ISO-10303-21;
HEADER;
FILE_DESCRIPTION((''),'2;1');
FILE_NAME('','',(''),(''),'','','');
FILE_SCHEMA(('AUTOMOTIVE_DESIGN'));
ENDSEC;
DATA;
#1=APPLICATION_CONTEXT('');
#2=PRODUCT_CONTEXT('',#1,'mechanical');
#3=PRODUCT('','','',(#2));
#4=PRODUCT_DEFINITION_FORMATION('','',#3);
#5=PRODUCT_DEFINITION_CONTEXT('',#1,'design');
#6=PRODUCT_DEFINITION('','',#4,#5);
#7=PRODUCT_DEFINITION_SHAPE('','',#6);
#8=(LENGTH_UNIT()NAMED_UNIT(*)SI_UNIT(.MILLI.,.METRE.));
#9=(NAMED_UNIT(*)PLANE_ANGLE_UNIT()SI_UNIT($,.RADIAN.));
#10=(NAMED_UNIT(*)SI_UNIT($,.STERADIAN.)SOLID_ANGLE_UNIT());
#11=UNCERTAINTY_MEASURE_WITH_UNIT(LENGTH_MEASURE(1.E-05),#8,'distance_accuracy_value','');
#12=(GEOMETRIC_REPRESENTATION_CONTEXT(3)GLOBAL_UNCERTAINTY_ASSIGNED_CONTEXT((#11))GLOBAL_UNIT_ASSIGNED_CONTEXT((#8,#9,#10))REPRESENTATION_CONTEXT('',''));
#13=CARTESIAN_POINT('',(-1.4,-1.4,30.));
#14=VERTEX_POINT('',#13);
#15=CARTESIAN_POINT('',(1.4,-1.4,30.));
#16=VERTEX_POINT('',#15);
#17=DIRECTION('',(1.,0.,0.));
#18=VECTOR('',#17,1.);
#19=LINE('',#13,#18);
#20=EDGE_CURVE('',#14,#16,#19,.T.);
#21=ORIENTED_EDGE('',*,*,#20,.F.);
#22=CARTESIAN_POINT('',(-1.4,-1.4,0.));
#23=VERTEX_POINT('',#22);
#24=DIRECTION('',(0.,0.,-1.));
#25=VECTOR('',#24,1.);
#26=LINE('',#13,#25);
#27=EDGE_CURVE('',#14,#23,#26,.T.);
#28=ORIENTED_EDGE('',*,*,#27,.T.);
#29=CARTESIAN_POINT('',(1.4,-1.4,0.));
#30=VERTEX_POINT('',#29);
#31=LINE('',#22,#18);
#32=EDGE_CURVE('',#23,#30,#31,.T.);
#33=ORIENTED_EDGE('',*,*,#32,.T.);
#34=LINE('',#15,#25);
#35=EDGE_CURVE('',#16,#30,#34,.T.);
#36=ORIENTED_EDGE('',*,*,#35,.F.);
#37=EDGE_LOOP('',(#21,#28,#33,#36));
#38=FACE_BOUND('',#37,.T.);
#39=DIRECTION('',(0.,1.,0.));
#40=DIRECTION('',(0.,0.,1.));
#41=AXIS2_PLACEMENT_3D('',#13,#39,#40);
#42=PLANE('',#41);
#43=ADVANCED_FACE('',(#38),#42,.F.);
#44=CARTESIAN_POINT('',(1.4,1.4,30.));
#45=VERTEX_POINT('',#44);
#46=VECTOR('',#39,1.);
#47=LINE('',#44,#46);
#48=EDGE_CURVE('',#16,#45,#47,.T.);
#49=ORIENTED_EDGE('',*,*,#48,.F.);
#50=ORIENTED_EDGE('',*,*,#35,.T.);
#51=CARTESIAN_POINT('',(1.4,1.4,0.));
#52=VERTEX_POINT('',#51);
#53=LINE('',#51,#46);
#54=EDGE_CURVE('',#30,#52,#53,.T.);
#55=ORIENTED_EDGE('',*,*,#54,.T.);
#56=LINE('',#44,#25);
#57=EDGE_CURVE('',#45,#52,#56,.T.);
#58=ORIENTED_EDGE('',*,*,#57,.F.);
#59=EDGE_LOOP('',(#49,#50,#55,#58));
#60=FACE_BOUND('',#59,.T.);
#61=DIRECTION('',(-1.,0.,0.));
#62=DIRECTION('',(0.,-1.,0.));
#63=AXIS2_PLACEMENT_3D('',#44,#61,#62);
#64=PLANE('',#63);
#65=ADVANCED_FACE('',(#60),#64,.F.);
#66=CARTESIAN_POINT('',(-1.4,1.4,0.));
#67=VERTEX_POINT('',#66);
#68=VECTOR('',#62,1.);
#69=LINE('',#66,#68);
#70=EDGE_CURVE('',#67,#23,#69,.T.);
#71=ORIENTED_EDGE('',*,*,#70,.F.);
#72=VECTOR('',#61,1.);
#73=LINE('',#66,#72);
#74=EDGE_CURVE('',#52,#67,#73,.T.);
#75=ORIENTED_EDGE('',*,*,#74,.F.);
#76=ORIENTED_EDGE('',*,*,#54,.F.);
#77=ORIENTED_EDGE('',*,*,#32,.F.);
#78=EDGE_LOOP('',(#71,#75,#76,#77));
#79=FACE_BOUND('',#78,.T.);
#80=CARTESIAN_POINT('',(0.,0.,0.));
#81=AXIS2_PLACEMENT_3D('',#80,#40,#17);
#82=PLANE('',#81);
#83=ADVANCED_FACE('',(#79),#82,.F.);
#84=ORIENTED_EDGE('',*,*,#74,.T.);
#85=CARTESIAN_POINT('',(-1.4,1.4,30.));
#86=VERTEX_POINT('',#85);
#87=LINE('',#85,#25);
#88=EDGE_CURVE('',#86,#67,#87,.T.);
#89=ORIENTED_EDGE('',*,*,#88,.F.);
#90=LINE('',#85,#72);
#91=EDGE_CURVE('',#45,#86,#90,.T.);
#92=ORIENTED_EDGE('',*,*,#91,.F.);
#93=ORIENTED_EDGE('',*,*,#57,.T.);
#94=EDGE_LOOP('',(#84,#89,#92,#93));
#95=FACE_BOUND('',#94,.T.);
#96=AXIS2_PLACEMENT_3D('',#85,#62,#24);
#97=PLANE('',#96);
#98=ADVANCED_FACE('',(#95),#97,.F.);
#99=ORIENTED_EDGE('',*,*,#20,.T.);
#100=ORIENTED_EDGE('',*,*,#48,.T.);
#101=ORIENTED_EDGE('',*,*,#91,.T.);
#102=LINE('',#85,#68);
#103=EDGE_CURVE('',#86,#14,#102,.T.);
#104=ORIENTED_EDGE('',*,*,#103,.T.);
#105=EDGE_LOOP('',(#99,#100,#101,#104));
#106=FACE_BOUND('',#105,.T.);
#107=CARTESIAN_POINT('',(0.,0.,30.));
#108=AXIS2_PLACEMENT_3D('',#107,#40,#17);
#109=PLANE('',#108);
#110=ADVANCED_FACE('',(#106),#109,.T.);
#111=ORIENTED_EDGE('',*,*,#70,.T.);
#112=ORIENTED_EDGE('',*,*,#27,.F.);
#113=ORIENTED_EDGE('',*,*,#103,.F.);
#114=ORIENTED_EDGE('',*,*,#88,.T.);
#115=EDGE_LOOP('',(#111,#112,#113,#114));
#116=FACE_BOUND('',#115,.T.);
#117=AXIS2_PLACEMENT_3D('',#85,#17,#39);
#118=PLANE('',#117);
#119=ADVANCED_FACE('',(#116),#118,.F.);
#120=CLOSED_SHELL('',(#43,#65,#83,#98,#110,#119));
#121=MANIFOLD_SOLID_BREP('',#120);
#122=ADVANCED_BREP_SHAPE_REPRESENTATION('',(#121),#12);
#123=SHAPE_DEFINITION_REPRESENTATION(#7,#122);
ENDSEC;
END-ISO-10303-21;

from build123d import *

# Parameters (mm, degrees)
SKETCH1_W           = 2.8
SKETCH1_H           = 2.8
BOSS_EXTRUDE1_DEPTH = 30


with BuildPart() as part:
    # Sketch1 → Boss-Extrude1 (new body)
    with BuildSketch(Plane.XY):
        Rectangle(SKETCH1_W, SKETCH1_H)
    extrude(amount=BOSS_EXTRUDE1_DEPTH)


solid = part.part
